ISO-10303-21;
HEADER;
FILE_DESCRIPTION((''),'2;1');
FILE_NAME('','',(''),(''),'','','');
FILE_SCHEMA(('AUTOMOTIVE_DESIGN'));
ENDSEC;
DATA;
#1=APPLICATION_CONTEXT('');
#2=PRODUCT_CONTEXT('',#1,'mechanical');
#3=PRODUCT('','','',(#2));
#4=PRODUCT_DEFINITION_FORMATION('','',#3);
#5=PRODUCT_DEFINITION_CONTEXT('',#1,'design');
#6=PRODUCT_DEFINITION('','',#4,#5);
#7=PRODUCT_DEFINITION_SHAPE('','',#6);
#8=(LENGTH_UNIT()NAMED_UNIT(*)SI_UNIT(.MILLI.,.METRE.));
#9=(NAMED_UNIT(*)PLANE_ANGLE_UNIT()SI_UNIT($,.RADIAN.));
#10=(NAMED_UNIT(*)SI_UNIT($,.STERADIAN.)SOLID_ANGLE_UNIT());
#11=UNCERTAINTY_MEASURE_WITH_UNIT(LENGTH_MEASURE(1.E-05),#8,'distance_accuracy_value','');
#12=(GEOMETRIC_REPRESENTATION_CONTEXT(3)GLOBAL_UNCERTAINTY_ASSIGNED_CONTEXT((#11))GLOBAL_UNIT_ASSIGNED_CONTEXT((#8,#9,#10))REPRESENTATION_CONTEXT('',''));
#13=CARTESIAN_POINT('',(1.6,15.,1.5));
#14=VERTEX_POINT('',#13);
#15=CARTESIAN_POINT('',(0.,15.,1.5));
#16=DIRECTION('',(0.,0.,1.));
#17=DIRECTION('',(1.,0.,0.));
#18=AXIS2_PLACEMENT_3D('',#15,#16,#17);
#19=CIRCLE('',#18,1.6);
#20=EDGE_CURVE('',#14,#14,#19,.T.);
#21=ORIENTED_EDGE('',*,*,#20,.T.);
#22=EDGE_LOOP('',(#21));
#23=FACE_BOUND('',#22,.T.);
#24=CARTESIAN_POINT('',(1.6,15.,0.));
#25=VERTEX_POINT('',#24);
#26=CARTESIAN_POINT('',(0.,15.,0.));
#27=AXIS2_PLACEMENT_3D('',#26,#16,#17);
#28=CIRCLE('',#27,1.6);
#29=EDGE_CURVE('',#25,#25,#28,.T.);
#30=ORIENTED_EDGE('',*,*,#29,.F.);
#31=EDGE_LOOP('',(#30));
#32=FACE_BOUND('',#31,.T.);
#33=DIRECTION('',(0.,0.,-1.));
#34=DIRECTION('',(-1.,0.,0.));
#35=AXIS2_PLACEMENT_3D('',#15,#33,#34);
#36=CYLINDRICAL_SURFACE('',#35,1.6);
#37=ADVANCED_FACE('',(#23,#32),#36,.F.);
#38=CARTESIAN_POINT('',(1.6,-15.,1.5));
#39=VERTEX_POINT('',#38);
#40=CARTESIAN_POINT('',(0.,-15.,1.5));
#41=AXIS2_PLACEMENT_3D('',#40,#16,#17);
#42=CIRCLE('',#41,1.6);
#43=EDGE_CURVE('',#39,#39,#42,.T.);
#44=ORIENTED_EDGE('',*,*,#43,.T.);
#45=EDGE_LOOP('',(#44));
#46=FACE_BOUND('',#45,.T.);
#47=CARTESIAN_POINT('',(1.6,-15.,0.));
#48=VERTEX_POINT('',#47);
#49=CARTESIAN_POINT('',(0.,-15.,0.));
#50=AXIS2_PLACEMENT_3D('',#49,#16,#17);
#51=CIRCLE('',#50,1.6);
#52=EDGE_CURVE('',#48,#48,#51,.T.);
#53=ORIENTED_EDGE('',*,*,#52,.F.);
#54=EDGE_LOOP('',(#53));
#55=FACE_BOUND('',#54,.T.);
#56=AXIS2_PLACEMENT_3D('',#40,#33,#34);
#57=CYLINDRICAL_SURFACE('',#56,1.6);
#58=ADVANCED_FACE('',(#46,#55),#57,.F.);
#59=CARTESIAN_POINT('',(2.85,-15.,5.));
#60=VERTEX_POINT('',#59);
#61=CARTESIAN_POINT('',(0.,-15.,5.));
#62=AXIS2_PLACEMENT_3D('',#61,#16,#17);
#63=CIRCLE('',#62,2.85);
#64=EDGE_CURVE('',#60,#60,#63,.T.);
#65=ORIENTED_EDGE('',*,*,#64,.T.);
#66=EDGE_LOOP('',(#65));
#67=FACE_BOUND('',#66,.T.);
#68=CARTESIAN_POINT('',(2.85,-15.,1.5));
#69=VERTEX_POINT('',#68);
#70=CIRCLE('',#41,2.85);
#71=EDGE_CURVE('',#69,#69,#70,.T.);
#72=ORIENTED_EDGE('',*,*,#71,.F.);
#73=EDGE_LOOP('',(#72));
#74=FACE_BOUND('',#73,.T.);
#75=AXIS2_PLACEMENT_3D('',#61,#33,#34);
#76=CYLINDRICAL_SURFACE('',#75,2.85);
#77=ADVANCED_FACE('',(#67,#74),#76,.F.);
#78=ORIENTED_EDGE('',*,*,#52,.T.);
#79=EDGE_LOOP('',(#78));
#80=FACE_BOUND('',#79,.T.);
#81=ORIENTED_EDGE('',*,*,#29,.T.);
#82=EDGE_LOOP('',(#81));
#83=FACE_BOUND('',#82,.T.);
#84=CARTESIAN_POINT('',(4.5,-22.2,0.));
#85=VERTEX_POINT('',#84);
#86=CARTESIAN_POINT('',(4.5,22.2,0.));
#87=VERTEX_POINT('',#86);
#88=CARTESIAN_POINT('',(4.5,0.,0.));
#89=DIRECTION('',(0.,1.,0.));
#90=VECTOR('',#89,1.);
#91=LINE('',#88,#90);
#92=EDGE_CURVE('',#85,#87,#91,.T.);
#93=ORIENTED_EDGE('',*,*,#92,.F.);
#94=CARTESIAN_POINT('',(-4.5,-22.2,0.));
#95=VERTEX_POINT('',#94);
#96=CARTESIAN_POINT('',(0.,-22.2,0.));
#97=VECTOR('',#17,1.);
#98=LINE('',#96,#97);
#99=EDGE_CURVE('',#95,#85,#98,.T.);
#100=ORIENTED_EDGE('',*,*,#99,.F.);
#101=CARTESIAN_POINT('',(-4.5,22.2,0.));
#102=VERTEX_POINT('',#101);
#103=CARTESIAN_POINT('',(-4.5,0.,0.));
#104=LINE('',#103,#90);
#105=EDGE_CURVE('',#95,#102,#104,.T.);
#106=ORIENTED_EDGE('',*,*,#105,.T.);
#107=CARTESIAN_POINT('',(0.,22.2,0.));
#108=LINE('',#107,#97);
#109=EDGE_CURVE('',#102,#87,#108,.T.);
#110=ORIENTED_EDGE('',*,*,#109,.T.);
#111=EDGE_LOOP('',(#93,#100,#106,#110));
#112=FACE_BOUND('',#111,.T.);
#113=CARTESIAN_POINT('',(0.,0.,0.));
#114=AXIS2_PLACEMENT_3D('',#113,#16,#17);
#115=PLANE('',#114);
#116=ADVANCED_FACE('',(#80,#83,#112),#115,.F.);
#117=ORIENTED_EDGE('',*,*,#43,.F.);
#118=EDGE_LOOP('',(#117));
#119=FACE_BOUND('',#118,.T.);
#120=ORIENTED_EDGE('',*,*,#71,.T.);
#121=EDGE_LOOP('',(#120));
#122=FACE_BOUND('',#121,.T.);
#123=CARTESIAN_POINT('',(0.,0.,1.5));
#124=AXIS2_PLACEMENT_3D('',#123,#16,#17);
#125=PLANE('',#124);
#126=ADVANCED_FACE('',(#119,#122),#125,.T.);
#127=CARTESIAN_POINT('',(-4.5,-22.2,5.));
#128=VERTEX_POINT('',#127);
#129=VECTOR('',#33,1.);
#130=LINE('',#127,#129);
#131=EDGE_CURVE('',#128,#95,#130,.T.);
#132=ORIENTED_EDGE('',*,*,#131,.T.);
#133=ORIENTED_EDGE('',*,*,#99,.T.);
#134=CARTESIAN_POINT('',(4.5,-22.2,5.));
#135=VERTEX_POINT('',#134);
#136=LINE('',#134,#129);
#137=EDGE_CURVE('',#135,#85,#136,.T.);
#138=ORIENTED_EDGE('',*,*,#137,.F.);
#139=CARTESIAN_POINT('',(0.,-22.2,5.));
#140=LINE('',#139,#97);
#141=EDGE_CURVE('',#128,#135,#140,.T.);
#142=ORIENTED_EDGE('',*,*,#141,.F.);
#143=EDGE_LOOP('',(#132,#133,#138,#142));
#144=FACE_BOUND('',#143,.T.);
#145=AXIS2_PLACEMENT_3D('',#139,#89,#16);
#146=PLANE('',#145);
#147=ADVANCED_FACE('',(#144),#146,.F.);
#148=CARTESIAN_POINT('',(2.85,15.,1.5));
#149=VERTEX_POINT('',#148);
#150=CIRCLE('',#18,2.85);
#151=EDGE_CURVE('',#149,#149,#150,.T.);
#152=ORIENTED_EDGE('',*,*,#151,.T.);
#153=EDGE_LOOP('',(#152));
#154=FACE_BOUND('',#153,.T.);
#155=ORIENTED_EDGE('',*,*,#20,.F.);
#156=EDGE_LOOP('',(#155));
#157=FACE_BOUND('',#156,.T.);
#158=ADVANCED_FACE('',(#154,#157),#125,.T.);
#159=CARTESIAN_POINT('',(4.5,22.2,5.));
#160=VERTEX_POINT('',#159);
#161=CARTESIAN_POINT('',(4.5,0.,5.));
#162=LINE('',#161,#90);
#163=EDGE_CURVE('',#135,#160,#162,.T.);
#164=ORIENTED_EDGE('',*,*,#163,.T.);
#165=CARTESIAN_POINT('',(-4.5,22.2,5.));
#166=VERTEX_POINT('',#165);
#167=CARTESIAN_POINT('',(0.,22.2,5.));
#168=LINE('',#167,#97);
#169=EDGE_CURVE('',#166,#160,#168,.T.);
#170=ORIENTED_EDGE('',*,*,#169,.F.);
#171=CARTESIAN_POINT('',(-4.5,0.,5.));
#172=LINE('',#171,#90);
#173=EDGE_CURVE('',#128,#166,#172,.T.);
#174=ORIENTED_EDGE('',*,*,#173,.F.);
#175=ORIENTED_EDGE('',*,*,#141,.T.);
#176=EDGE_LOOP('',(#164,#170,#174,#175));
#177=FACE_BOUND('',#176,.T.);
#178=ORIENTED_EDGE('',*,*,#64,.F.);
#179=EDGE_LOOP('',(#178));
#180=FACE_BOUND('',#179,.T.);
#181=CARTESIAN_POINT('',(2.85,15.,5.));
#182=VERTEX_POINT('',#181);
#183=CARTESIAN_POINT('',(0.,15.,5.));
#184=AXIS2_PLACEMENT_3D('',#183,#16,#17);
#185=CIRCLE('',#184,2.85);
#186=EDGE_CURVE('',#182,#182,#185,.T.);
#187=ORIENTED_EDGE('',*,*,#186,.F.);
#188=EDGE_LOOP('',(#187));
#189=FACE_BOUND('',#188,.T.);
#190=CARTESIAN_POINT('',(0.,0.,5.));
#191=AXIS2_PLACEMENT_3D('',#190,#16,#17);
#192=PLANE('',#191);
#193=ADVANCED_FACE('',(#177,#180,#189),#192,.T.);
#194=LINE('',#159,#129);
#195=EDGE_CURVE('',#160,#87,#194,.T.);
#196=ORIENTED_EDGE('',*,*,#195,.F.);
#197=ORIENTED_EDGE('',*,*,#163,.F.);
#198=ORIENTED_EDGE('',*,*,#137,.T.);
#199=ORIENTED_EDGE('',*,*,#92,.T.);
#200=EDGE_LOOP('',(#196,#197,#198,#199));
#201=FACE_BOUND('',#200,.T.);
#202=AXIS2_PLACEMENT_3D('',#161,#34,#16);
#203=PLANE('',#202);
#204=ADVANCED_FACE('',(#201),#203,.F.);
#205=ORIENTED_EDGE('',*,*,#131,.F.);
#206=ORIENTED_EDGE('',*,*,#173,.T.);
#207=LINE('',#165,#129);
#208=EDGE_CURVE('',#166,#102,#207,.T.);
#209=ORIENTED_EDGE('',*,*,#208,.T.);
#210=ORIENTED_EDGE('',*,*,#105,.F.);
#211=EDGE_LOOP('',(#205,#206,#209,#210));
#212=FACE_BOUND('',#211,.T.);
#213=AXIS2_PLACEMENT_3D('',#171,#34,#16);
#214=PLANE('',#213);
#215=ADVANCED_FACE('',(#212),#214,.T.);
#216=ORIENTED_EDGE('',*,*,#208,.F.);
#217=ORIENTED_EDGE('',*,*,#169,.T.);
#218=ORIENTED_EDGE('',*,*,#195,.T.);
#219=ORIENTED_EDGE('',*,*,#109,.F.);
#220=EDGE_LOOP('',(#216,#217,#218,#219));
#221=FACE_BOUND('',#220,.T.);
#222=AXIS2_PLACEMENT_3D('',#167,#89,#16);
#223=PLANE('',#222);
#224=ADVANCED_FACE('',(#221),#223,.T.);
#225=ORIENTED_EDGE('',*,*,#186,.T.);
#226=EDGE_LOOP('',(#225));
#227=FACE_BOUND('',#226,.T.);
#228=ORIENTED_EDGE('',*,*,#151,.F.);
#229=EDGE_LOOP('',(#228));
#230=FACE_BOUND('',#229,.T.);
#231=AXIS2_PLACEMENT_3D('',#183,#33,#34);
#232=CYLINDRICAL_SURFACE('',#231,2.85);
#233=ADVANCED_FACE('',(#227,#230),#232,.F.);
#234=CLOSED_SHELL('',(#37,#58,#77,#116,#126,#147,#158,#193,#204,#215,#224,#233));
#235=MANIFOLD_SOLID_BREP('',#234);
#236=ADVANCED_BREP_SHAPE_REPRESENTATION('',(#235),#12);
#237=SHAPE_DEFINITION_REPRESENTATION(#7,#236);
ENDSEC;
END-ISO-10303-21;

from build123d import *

# Parameters (mm, degrees)
SKETCH1_W           = 44.4
SKETCH1_H           = 9
SKETCH1_R           = 2.85
BOSS_EXTRUDE1_DEPTH = 5
SKETCH1_3_R         = 2.85
SKETCH1_3_R_2       = 1.6
BOSS_EXTRUDE2_DEPTH = 1.5


with BuildPart() as part:
    # Sketch1 → Boss-Extrude1 (new body)
    with BuildSketch(Plane(origin=(0, 0, 0), x_dir=(0, 1, 0), z_dir=(0, 0, 1))):
        Rectangle(SKETCH1_W, SKETCH1_H)
        with Locations((-15, 0)):
            Circle(SKETCH1_R, mode=Mode.SUBTRACT)
        with Locations((15, 0)):
            Circle(SKETCH1_R, mode=Mode.SUBTRACT)
    extrude(amount=BOSS_EXTRUDE1_DEPTH)

    # Sketch1<3> → Boss-Extrude2 (add)
    # profile 1 of 2: a face of its own
    with BuildSketch(Plane(origin=(0, 0, 0), x_dir=(0, 1, 0), z_dir=(0, 0, 1))):
        with Locations((15, 0)):
            Circle(SKETCH1_3_R)
        with Locations((15, 0)):
            Circle(SKETCH1_3_R_2, mode=Mode.SUBTRACT)
    # profile 2 of 2: a face of its own
    with BuildSketch(Plane(origin=(0, 0, 0), x_dir=(0, 1, 0), z_dir=(0, 0, 1))):
        with Locations((-15, 0)):
            Circle(SKETCH1_3_R)
        with Locations((-15, 0)):
            Circle(SKETCH1_3_R_2, mode=Mode.SUBTRACT)
    extrude(amount=BOSS_EXTRUDE2_DEPTH)


solid = part.part
